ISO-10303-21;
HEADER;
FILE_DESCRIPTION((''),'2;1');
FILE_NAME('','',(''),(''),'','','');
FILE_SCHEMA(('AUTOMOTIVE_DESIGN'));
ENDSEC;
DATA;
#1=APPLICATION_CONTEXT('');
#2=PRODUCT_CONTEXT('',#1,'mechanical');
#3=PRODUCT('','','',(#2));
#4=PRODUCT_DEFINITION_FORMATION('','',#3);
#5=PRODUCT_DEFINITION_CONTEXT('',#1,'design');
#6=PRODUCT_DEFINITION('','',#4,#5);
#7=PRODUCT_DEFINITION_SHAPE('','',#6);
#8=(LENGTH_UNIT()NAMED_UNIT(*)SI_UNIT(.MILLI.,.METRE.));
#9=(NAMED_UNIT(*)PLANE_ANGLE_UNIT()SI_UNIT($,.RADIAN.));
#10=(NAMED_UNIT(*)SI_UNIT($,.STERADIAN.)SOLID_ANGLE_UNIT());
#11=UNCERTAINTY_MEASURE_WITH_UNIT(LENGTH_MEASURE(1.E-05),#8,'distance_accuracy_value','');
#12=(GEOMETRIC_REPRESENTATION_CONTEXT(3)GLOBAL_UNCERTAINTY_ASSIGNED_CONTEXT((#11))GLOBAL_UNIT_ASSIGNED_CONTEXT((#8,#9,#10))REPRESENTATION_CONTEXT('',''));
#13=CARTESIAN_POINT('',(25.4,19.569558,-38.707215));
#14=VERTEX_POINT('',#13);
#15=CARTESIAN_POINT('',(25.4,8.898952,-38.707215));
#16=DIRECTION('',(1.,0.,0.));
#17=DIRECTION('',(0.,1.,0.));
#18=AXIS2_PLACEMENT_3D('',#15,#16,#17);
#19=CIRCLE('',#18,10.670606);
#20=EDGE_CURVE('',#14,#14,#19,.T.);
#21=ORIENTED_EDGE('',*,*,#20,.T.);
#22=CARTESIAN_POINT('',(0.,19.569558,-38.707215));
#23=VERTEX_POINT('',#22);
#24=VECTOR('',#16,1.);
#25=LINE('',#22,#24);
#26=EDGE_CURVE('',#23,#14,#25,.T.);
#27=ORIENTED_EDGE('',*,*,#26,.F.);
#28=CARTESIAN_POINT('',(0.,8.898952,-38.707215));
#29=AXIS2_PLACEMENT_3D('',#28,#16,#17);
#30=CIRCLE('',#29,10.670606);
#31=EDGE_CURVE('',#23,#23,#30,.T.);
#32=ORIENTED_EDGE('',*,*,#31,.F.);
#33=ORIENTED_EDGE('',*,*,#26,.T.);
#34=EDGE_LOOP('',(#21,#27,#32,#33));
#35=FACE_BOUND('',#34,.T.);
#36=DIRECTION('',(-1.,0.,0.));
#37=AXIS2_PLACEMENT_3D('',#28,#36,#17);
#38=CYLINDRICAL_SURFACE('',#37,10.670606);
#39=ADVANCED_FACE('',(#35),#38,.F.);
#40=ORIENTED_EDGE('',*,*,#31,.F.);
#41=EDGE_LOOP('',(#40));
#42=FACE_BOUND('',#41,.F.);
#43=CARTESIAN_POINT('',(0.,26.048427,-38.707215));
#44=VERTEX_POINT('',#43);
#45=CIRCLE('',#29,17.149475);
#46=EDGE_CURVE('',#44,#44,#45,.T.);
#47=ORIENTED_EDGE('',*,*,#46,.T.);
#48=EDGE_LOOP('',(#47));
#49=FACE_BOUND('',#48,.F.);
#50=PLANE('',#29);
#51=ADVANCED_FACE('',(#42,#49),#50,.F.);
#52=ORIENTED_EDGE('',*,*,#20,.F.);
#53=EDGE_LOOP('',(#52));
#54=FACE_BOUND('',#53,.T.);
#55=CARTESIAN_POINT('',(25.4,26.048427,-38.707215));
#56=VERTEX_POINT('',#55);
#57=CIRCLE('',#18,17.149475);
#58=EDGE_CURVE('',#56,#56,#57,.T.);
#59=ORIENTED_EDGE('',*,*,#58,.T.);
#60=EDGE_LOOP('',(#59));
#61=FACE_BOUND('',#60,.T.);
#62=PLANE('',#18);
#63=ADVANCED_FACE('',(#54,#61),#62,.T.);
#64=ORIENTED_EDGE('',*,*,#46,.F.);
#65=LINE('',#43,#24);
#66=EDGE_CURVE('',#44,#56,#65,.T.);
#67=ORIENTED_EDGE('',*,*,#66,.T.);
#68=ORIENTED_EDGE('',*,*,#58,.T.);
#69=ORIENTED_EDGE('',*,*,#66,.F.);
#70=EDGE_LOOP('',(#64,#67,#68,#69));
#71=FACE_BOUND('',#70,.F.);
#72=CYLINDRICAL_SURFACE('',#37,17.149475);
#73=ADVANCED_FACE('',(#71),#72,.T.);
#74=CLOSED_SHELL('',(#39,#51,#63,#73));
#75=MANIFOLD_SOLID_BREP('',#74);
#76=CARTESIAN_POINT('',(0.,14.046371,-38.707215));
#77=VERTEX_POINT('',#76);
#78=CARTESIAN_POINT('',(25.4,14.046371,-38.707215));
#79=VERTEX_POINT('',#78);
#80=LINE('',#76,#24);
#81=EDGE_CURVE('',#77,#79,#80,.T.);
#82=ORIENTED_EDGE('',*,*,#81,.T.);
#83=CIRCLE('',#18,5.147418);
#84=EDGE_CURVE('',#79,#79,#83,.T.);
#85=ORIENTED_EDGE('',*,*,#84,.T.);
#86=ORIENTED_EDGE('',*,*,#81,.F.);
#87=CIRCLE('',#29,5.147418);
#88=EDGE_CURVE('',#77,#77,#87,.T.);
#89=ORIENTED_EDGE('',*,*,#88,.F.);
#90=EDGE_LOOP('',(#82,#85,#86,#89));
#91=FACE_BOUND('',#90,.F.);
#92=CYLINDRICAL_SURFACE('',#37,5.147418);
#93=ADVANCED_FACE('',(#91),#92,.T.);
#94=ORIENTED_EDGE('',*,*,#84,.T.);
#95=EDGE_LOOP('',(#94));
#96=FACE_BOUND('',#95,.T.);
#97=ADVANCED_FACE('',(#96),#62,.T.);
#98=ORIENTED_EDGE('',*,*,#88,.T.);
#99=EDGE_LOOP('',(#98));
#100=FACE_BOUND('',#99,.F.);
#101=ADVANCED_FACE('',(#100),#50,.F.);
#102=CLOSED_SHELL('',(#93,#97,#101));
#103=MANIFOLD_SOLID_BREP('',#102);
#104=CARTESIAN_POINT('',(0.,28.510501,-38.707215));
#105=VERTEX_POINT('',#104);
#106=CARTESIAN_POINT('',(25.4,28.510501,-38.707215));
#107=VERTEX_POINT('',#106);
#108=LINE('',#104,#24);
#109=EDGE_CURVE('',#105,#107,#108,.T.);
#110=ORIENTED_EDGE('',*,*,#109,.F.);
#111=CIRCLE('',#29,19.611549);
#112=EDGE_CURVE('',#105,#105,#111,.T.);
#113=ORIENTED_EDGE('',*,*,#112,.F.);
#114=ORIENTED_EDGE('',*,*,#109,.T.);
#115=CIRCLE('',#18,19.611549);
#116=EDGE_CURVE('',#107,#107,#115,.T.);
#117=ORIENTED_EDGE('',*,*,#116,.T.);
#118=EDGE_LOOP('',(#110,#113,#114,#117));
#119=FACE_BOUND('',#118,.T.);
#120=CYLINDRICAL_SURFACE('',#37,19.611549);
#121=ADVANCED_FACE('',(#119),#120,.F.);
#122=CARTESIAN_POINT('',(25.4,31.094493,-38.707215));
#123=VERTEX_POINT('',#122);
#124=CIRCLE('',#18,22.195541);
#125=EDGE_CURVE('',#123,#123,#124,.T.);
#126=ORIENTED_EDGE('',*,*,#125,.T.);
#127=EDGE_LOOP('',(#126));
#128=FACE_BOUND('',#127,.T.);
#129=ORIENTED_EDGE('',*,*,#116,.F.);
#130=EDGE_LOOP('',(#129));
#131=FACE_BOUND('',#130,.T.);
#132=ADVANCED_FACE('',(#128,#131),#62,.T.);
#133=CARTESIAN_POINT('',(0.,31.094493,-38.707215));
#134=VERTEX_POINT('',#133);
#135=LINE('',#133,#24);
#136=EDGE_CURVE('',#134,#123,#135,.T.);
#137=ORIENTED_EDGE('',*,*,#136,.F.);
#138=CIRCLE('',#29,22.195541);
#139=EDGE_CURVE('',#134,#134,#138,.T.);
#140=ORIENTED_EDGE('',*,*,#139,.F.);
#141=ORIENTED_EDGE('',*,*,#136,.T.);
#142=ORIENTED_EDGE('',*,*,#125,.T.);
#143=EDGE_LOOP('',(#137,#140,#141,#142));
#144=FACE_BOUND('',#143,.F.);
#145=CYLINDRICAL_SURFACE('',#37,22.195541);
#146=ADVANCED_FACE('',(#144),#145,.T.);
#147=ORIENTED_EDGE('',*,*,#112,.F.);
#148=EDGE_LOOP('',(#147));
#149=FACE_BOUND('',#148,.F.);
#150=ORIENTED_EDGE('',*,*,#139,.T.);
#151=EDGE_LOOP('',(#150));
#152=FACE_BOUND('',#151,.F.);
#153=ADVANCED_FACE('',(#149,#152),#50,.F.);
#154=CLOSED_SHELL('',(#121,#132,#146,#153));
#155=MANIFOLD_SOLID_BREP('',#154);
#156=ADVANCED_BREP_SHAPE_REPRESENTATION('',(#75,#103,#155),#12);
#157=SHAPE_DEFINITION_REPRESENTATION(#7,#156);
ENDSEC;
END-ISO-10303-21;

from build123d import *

# Parameters (mm, degrees)
F0_R     = 22.195541368
F0_R_2   = 19.6115494273
F1_DEPTH = 25.4
F0_R_3   = 5.1474184814
F0_R_4   = 17.1494750352
F0_R_5   = 14.3453954548
F0_R_6   = 10.6706063554


with BuildPart() as f1:
    # F0 (on Right) → F1 (new body)
    with BuildSketch(Plane.YZ):
        with Locations((8.8989520445, -38.7072153389)):
            Circle(F0_R)
        with Locations((8.8989520445, -38.7072153389)):
            Circle(F0_R_2, mode=Mode.SUBTRACT)
    extrude(amount=F1_DEPTH)


with BuildPart() as f1b:
    # F0 (on Right) → F1, piece 2 (new body)
    with BuildSketch(Plane.YZ):
        with Locations((8.8989520445, -38.7072153389)):
            Circle(F0_R_3)
    extrude(amount=F1_DEPTH)


with BuildPart() as f1c:
    # F0 (on Right) → F1, piece 3 (new body)
    with BuildSketch(Plane.YZ):
        with Locations((8.8989520445, -38.7072153389)):
            Circle(F0_R_4)
        with Locations((8.8989520445, -38.7072153389)):
            Circle(F0_R_5, mode=Mode.SUBTRACT)
        with Locations((8.8989520445, -38.7072153389)):
            Circle(F0_R_5)
        with Locations((8.8989520445, -38.7072153389)):
            Circle(F0_R_6, mode=Mode.SUBTRACT)
    extrude(amount=F1_DEPTH)


solid = Compound([f1.part, f1b.part, f1c.part])
